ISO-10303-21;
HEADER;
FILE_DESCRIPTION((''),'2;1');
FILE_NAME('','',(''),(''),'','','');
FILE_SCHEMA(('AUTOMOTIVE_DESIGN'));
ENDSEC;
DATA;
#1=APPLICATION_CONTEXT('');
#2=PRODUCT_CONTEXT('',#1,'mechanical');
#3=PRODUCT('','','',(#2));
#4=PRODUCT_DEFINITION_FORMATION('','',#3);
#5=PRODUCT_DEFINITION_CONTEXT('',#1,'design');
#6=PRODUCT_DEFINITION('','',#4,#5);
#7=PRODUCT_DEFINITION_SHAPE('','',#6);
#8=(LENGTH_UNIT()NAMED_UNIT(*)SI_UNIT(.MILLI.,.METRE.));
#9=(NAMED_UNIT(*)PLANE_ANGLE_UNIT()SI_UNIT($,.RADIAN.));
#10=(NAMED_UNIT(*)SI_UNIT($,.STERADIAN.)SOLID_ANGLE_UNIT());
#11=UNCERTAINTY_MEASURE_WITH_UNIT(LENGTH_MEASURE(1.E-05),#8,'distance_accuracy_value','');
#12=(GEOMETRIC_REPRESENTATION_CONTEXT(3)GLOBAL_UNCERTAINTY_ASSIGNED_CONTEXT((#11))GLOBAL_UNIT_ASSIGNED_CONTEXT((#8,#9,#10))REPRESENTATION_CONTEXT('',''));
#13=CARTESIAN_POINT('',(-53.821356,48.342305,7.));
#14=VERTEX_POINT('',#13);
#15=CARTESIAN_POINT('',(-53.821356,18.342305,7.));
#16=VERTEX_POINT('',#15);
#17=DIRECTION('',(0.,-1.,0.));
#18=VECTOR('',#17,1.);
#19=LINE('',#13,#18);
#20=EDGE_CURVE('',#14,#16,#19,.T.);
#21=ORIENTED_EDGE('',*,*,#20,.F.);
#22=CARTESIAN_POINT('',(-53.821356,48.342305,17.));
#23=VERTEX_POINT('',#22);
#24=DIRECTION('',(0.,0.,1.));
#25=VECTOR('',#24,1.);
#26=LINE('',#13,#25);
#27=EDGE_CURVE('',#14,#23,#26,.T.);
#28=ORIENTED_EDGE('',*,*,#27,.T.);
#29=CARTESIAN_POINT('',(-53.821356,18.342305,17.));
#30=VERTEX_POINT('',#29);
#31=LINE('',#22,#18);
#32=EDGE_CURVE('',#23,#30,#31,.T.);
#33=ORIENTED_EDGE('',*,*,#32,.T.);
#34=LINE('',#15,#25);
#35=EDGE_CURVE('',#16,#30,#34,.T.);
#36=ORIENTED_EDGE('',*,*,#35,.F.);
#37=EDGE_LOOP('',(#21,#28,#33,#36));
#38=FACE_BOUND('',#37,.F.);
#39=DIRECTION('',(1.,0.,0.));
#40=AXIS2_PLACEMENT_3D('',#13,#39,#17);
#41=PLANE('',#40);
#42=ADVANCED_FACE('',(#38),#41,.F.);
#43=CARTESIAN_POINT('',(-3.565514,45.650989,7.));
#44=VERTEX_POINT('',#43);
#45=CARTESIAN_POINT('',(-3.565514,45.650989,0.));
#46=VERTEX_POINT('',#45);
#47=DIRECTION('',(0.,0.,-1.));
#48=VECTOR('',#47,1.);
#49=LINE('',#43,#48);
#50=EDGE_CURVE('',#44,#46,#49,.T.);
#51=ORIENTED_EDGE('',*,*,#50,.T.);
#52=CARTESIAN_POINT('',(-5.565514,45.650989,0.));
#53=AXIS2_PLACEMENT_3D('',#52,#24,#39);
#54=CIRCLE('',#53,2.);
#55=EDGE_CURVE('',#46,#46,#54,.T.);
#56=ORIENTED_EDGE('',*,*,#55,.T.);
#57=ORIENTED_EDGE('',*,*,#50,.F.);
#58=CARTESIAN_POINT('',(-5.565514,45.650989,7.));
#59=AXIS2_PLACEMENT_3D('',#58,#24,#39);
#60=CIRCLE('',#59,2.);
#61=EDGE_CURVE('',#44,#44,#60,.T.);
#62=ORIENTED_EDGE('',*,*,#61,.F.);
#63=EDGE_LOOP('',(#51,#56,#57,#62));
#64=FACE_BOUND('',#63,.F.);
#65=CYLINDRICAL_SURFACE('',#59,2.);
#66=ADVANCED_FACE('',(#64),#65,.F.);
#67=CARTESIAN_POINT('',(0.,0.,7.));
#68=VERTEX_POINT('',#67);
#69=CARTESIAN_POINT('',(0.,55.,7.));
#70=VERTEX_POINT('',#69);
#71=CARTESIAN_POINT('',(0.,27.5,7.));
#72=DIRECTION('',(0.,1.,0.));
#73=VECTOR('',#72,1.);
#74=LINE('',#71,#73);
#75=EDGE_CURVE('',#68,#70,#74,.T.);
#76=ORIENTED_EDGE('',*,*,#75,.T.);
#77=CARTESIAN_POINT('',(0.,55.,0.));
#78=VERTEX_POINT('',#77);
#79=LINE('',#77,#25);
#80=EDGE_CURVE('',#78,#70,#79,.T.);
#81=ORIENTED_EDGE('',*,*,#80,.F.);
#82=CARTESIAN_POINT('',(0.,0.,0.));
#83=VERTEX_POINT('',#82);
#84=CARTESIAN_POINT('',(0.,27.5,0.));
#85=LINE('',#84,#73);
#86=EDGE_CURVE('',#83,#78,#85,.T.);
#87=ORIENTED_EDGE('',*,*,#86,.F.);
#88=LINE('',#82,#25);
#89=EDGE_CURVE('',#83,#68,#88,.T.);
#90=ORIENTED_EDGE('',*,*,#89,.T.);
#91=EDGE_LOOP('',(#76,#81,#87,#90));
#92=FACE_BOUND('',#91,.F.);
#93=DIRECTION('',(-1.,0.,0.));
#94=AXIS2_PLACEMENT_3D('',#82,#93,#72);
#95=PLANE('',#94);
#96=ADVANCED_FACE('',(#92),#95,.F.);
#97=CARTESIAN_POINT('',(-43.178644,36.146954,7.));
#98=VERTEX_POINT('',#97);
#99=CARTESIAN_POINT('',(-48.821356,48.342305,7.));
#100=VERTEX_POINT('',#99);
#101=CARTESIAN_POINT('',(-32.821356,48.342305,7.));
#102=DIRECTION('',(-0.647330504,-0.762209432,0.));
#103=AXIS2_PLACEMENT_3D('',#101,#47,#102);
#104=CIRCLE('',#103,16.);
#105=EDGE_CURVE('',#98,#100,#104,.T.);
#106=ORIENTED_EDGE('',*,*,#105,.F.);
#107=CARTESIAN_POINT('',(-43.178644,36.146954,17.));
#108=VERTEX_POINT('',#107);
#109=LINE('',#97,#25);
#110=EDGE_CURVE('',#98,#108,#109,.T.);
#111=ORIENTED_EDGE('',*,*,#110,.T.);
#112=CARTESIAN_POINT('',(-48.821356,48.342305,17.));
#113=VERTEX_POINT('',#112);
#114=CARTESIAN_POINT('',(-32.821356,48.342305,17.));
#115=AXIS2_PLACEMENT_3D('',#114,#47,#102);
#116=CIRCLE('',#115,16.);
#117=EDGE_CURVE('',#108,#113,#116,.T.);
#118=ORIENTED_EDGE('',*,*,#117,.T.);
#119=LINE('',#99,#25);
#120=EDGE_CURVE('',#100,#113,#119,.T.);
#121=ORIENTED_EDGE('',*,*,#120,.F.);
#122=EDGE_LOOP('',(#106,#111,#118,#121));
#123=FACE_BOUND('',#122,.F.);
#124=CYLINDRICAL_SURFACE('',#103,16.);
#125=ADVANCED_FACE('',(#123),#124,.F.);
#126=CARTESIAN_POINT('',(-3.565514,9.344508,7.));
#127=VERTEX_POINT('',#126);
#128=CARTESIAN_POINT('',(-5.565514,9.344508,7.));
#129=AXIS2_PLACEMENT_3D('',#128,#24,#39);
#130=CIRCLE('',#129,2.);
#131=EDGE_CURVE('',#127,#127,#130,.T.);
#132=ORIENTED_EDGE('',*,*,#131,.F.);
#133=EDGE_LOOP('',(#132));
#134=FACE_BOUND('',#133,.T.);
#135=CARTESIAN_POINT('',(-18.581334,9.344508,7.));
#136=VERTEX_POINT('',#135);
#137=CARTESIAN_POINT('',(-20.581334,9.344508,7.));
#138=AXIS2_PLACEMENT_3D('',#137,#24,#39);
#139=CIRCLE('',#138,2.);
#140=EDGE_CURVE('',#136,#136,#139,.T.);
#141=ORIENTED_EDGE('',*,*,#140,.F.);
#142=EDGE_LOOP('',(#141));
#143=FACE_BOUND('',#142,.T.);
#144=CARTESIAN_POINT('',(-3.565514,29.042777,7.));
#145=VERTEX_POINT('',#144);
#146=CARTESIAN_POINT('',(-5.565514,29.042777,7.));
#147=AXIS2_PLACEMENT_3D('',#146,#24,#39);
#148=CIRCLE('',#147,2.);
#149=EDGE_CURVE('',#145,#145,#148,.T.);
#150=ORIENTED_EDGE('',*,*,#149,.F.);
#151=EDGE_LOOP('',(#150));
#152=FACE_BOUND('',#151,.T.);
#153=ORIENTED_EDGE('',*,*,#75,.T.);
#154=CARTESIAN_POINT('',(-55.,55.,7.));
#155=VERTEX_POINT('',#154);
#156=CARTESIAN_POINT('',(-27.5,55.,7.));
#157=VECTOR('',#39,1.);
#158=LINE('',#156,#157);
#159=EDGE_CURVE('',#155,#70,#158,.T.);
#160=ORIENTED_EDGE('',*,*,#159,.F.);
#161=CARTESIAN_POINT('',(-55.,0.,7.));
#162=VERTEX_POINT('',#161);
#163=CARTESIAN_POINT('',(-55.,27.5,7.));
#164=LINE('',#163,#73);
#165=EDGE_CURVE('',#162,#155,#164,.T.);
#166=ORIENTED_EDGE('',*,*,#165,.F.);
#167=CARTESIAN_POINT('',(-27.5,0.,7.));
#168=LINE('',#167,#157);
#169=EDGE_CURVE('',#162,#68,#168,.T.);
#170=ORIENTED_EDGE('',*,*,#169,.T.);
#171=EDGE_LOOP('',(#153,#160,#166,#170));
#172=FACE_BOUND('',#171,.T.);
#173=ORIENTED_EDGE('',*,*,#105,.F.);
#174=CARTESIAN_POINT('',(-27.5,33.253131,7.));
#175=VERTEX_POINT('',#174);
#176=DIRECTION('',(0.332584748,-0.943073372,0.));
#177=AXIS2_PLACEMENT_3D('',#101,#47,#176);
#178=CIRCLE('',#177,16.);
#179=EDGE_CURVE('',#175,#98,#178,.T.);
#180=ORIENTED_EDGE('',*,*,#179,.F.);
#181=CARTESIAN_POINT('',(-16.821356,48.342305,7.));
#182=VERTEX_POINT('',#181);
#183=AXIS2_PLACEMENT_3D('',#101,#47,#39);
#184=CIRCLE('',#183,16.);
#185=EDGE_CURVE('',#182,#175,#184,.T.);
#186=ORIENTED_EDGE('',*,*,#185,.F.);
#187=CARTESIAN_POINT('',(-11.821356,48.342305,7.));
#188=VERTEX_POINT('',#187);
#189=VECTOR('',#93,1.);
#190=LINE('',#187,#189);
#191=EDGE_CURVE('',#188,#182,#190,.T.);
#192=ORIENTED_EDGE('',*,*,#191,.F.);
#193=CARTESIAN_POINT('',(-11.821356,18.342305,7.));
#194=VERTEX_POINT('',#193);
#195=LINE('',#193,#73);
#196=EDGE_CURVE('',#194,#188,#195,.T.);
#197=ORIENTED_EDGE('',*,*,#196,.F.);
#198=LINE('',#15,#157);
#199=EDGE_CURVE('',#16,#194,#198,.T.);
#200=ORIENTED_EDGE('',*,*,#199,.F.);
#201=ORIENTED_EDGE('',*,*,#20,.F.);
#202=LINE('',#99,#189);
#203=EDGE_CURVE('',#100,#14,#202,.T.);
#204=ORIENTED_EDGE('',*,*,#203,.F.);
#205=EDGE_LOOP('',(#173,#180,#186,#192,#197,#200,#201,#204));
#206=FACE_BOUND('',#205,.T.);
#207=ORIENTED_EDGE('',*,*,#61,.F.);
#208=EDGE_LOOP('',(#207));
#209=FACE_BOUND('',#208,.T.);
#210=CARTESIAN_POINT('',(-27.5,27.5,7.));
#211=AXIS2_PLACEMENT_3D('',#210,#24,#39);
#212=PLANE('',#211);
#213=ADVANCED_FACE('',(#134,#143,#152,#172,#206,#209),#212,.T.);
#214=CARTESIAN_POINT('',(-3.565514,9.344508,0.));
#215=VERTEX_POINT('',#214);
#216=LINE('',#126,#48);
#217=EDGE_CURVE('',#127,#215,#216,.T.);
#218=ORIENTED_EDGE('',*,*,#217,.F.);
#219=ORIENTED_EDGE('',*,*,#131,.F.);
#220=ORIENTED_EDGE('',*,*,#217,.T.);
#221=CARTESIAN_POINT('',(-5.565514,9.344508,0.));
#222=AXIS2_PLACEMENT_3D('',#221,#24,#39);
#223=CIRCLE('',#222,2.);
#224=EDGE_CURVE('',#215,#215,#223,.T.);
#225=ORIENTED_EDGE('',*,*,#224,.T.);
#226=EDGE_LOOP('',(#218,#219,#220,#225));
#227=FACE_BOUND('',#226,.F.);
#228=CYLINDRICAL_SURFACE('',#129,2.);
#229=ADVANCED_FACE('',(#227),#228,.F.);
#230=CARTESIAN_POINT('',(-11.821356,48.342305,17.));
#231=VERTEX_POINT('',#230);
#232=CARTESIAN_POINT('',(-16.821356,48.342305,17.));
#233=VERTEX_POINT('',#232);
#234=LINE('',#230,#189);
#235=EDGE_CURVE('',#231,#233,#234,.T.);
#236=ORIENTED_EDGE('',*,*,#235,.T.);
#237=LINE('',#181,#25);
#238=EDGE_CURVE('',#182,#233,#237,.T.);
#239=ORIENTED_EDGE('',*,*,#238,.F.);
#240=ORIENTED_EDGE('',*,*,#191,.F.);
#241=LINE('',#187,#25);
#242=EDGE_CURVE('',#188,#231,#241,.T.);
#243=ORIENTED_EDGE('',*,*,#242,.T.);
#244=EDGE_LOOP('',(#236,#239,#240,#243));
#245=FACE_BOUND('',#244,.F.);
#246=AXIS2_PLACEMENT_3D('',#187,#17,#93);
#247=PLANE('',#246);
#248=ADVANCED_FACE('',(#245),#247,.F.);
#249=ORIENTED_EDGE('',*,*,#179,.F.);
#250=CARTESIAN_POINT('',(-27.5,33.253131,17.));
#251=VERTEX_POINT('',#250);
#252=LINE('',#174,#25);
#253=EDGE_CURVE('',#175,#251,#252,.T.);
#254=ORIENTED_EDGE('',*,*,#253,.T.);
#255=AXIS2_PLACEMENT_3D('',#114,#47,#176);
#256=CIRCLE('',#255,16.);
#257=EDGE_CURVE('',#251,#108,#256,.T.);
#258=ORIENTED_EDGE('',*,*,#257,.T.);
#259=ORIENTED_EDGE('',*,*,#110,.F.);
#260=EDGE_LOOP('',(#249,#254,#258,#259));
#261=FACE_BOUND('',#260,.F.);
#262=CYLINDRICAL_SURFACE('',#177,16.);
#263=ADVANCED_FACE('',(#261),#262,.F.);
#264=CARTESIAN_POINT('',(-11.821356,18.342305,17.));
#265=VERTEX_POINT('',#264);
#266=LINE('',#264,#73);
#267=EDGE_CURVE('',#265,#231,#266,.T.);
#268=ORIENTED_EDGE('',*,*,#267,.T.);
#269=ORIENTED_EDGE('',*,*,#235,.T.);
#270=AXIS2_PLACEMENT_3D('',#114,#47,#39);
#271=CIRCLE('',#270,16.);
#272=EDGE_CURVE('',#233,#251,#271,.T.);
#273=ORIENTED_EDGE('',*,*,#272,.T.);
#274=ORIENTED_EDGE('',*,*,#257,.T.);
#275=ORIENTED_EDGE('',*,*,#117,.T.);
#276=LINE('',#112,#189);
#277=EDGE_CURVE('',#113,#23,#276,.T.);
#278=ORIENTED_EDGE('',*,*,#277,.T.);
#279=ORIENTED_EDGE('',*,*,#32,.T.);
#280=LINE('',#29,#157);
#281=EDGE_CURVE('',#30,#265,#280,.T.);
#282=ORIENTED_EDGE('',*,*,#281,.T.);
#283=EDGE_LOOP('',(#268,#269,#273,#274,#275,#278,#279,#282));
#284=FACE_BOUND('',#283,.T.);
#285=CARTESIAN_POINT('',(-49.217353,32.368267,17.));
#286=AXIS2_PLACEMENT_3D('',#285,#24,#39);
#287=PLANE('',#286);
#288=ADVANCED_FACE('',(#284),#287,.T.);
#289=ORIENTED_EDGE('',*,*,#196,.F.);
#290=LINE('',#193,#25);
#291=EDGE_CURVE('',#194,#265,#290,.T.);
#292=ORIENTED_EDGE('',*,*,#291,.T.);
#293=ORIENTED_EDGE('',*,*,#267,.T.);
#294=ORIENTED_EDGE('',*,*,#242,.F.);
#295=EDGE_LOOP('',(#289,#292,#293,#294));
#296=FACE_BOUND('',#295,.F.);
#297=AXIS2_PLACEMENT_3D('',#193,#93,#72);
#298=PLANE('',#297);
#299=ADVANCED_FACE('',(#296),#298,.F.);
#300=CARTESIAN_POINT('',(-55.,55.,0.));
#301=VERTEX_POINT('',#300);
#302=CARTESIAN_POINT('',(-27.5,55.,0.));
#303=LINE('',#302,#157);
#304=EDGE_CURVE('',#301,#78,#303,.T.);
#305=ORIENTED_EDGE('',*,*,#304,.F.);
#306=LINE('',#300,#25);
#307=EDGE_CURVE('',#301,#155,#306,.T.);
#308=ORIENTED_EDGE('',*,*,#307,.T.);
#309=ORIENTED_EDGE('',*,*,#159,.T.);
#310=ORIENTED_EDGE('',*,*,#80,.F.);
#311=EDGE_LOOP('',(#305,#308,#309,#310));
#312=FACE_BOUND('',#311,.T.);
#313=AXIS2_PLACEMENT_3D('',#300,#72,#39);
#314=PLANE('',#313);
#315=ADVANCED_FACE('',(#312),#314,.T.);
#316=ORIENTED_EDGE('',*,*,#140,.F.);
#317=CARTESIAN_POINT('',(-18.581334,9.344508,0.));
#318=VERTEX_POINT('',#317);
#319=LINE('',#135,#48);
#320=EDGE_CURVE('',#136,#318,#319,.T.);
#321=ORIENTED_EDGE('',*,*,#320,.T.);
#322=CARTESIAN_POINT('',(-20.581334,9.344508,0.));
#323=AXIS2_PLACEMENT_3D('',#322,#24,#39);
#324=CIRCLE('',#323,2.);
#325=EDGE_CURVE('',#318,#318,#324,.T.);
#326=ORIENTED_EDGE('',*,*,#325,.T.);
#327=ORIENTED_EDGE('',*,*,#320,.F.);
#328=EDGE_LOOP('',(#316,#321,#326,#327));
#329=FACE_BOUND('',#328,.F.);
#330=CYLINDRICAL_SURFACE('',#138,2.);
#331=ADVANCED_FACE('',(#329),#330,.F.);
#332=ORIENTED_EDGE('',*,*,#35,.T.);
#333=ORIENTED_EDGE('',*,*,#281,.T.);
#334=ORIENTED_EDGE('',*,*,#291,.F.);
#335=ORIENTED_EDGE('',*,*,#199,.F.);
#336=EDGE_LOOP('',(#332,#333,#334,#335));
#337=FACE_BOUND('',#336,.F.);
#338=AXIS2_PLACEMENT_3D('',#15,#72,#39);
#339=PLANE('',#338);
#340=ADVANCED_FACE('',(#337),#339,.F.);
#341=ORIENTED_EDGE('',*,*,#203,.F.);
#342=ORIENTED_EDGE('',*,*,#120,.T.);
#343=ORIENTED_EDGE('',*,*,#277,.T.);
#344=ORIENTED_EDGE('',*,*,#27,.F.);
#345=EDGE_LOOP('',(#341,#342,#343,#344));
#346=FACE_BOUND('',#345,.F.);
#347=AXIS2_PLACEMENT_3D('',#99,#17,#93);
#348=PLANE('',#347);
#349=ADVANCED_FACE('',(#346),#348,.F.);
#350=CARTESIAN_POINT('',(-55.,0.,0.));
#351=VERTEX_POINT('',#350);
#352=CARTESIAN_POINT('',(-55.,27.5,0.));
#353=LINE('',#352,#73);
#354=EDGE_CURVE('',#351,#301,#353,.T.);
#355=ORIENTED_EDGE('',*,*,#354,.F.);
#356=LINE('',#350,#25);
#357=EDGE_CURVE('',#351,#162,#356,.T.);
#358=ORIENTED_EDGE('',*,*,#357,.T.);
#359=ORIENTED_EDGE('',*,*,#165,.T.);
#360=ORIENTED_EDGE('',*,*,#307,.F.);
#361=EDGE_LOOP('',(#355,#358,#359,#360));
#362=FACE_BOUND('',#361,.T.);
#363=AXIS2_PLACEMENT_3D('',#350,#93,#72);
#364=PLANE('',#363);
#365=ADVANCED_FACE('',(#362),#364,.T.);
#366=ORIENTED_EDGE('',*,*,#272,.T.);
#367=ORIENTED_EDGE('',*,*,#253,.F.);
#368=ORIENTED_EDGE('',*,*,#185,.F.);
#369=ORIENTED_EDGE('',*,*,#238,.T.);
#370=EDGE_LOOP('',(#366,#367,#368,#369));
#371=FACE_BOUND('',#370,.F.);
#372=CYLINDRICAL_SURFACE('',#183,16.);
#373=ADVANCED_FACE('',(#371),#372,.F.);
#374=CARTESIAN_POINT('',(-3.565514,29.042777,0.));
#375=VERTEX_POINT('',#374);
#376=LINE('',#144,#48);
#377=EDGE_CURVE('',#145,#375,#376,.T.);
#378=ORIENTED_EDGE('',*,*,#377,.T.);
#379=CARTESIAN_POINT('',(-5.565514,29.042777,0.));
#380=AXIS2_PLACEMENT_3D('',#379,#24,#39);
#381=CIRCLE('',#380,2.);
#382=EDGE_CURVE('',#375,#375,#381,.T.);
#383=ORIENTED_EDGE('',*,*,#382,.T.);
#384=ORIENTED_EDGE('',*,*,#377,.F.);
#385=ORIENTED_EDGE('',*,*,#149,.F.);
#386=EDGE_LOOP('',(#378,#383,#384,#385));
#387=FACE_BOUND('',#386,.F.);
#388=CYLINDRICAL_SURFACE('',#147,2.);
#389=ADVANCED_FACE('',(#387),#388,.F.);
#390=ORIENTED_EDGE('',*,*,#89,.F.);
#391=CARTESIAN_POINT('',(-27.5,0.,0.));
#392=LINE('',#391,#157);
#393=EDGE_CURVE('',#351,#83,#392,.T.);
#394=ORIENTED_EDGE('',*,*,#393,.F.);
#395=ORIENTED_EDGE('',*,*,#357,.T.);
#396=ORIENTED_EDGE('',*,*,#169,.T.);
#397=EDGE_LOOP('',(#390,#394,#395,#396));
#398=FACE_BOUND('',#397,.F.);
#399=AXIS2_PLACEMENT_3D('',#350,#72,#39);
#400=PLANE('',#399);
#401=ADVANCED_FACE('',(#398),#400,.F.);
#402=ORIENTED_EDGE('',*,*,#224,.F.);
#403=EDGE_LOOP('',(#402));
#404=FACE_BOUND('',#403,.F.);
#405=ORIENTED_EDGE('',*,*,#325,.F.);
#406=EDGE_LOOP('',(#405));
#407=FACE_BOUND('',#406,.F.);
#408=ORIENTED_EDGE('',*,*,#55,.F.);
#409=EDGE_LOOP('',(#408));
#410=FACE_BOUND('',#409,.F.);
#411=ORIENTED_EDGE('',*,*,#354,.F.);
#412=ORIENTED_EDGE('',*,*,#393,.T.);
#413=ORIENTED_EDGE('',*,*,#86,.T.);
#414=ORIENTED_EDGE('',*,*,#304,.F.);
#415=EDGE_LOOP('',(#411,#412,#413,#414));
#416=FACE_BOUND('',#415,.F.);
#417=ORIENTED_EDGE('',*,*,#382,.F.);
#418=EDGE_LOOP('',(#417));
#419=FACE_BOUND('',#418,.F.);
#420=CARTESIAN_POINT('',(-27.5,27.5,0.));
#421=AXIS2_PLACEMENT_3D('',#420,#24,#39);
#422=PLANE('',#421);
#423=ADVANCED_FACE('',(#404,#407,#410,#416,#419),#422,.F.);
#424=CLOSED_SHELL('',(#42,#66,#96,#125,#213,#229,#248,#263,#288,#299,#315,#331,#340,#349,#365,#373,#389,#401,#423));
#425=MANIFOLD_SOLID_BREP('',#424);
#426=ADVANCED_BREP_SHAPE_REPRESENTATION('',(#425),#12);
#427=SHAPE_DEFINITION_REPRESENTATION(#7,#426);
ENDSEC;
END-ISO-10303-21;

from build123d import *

# Parameters (mm, degrees)
F0_W     = 55
F0_H     = 55
F1_DEPTH = 7
F4_DEPTH = 10
F3_R     = 2
F5_DEPTH = 7.001


with BuildPart() as f1:
    # F0 (on Top) → F1 (new body)
    with BuildSketch(Plane.XY):
        with Locations((-27.5, 27.5)):
            Rectangle(F0_W, F0_H)
    extrude(amount=F1_DEPTH)

    # F2 (on face) → F4 (join)
    with BuildSketch(Plane.XY.offset(7)):
        with BuildLine():
            Line((-43.1786440313, 18.3423049748), (-43.1786440313, 36.1469540578))
            ThreePointArc((-43.1786440313, 36.1469540578), (-47.3423168357, 41.6235479841), (-48.8213559687, 48.3423049748))
            Line((-48.8213559687, 48.3423049748), (-53.8213559687, 48.3423049748))
            Line((-53.8213559687, 48.3423049748), (-53.8213559687, 18.3423049748))
            Line((-53.8213559687, 18.3423049748), (-43.1786440313, 18.3423049748))
        make_face()
        with BuildLine():
            Line((-27.5, 18.3423049748), (-27.5, 33.2531310195))
            ThreePointArc((-27.5, 33.2531310195), (-35.7254403266, 32.6080654303), (-43.1786440313, 36.1469540578))
            Line((-43.1786440313, 36.1469540578), (-43.1786440313, 18.3423049748))
            Line((-43.1786440313, 18.3423049748), (-27.5, 18.3423049748))
        make_face()
        with BuildLine():
            ThreePointArc((-16.8213559687, 48.3423049748), (-19.7610784927, 39.0995157718), (-27.5, 33.2531310195))
            ThreePointArc((-27.5, 33.2531310195), (-19.2745596734, 32.6080654303), (-11.8213559687, 36.1469540578))
            Line((-11.8213559687, 36.1469540578), (-11.8213559687, 48.3423049748))
            Line((-11.8213559687, 48.3423049748), (-16.8213559687, 48.3423049748))
        make_face()
        with BuildLine():
            ThreePointArc((-11.8213559687, 36.1469540578), (-19.2745596734, 32.6080654303), (-27.5, 33.2531310195))
            Line((-27.5, 33.2531310195), (-27.5, 18.3423049748))
            Line((-27.5, 18.3423049748), (-11.8213559687, 18.3423049748))
            Line((-11.8213559687, 18.3423049748), (-11.8213559687, 36.1469540578))
        make_face()
    extrude(amount=F4_DEPTH)

    # F3 (on face) → F5 (cut, through all)
    with BuildSketch(Plane.XY.offset(7)):
        with Locations((-20.5813342872, 9.34450762)):
            Circle(F3_R)
        with Locations((-5.5655137111, 9.34450762)):
            Circle(F3_R)
        with Locations((-5.5655137111, 29.042776674)):
            Circle(F3_R)
        with Locations((-5.5655137111, 45.6509888542)):
            Circle(F3_R)
    extrude(amount=-F5_DEPTH, mode=Mode.SUBTRACT)


solid = f1.part
